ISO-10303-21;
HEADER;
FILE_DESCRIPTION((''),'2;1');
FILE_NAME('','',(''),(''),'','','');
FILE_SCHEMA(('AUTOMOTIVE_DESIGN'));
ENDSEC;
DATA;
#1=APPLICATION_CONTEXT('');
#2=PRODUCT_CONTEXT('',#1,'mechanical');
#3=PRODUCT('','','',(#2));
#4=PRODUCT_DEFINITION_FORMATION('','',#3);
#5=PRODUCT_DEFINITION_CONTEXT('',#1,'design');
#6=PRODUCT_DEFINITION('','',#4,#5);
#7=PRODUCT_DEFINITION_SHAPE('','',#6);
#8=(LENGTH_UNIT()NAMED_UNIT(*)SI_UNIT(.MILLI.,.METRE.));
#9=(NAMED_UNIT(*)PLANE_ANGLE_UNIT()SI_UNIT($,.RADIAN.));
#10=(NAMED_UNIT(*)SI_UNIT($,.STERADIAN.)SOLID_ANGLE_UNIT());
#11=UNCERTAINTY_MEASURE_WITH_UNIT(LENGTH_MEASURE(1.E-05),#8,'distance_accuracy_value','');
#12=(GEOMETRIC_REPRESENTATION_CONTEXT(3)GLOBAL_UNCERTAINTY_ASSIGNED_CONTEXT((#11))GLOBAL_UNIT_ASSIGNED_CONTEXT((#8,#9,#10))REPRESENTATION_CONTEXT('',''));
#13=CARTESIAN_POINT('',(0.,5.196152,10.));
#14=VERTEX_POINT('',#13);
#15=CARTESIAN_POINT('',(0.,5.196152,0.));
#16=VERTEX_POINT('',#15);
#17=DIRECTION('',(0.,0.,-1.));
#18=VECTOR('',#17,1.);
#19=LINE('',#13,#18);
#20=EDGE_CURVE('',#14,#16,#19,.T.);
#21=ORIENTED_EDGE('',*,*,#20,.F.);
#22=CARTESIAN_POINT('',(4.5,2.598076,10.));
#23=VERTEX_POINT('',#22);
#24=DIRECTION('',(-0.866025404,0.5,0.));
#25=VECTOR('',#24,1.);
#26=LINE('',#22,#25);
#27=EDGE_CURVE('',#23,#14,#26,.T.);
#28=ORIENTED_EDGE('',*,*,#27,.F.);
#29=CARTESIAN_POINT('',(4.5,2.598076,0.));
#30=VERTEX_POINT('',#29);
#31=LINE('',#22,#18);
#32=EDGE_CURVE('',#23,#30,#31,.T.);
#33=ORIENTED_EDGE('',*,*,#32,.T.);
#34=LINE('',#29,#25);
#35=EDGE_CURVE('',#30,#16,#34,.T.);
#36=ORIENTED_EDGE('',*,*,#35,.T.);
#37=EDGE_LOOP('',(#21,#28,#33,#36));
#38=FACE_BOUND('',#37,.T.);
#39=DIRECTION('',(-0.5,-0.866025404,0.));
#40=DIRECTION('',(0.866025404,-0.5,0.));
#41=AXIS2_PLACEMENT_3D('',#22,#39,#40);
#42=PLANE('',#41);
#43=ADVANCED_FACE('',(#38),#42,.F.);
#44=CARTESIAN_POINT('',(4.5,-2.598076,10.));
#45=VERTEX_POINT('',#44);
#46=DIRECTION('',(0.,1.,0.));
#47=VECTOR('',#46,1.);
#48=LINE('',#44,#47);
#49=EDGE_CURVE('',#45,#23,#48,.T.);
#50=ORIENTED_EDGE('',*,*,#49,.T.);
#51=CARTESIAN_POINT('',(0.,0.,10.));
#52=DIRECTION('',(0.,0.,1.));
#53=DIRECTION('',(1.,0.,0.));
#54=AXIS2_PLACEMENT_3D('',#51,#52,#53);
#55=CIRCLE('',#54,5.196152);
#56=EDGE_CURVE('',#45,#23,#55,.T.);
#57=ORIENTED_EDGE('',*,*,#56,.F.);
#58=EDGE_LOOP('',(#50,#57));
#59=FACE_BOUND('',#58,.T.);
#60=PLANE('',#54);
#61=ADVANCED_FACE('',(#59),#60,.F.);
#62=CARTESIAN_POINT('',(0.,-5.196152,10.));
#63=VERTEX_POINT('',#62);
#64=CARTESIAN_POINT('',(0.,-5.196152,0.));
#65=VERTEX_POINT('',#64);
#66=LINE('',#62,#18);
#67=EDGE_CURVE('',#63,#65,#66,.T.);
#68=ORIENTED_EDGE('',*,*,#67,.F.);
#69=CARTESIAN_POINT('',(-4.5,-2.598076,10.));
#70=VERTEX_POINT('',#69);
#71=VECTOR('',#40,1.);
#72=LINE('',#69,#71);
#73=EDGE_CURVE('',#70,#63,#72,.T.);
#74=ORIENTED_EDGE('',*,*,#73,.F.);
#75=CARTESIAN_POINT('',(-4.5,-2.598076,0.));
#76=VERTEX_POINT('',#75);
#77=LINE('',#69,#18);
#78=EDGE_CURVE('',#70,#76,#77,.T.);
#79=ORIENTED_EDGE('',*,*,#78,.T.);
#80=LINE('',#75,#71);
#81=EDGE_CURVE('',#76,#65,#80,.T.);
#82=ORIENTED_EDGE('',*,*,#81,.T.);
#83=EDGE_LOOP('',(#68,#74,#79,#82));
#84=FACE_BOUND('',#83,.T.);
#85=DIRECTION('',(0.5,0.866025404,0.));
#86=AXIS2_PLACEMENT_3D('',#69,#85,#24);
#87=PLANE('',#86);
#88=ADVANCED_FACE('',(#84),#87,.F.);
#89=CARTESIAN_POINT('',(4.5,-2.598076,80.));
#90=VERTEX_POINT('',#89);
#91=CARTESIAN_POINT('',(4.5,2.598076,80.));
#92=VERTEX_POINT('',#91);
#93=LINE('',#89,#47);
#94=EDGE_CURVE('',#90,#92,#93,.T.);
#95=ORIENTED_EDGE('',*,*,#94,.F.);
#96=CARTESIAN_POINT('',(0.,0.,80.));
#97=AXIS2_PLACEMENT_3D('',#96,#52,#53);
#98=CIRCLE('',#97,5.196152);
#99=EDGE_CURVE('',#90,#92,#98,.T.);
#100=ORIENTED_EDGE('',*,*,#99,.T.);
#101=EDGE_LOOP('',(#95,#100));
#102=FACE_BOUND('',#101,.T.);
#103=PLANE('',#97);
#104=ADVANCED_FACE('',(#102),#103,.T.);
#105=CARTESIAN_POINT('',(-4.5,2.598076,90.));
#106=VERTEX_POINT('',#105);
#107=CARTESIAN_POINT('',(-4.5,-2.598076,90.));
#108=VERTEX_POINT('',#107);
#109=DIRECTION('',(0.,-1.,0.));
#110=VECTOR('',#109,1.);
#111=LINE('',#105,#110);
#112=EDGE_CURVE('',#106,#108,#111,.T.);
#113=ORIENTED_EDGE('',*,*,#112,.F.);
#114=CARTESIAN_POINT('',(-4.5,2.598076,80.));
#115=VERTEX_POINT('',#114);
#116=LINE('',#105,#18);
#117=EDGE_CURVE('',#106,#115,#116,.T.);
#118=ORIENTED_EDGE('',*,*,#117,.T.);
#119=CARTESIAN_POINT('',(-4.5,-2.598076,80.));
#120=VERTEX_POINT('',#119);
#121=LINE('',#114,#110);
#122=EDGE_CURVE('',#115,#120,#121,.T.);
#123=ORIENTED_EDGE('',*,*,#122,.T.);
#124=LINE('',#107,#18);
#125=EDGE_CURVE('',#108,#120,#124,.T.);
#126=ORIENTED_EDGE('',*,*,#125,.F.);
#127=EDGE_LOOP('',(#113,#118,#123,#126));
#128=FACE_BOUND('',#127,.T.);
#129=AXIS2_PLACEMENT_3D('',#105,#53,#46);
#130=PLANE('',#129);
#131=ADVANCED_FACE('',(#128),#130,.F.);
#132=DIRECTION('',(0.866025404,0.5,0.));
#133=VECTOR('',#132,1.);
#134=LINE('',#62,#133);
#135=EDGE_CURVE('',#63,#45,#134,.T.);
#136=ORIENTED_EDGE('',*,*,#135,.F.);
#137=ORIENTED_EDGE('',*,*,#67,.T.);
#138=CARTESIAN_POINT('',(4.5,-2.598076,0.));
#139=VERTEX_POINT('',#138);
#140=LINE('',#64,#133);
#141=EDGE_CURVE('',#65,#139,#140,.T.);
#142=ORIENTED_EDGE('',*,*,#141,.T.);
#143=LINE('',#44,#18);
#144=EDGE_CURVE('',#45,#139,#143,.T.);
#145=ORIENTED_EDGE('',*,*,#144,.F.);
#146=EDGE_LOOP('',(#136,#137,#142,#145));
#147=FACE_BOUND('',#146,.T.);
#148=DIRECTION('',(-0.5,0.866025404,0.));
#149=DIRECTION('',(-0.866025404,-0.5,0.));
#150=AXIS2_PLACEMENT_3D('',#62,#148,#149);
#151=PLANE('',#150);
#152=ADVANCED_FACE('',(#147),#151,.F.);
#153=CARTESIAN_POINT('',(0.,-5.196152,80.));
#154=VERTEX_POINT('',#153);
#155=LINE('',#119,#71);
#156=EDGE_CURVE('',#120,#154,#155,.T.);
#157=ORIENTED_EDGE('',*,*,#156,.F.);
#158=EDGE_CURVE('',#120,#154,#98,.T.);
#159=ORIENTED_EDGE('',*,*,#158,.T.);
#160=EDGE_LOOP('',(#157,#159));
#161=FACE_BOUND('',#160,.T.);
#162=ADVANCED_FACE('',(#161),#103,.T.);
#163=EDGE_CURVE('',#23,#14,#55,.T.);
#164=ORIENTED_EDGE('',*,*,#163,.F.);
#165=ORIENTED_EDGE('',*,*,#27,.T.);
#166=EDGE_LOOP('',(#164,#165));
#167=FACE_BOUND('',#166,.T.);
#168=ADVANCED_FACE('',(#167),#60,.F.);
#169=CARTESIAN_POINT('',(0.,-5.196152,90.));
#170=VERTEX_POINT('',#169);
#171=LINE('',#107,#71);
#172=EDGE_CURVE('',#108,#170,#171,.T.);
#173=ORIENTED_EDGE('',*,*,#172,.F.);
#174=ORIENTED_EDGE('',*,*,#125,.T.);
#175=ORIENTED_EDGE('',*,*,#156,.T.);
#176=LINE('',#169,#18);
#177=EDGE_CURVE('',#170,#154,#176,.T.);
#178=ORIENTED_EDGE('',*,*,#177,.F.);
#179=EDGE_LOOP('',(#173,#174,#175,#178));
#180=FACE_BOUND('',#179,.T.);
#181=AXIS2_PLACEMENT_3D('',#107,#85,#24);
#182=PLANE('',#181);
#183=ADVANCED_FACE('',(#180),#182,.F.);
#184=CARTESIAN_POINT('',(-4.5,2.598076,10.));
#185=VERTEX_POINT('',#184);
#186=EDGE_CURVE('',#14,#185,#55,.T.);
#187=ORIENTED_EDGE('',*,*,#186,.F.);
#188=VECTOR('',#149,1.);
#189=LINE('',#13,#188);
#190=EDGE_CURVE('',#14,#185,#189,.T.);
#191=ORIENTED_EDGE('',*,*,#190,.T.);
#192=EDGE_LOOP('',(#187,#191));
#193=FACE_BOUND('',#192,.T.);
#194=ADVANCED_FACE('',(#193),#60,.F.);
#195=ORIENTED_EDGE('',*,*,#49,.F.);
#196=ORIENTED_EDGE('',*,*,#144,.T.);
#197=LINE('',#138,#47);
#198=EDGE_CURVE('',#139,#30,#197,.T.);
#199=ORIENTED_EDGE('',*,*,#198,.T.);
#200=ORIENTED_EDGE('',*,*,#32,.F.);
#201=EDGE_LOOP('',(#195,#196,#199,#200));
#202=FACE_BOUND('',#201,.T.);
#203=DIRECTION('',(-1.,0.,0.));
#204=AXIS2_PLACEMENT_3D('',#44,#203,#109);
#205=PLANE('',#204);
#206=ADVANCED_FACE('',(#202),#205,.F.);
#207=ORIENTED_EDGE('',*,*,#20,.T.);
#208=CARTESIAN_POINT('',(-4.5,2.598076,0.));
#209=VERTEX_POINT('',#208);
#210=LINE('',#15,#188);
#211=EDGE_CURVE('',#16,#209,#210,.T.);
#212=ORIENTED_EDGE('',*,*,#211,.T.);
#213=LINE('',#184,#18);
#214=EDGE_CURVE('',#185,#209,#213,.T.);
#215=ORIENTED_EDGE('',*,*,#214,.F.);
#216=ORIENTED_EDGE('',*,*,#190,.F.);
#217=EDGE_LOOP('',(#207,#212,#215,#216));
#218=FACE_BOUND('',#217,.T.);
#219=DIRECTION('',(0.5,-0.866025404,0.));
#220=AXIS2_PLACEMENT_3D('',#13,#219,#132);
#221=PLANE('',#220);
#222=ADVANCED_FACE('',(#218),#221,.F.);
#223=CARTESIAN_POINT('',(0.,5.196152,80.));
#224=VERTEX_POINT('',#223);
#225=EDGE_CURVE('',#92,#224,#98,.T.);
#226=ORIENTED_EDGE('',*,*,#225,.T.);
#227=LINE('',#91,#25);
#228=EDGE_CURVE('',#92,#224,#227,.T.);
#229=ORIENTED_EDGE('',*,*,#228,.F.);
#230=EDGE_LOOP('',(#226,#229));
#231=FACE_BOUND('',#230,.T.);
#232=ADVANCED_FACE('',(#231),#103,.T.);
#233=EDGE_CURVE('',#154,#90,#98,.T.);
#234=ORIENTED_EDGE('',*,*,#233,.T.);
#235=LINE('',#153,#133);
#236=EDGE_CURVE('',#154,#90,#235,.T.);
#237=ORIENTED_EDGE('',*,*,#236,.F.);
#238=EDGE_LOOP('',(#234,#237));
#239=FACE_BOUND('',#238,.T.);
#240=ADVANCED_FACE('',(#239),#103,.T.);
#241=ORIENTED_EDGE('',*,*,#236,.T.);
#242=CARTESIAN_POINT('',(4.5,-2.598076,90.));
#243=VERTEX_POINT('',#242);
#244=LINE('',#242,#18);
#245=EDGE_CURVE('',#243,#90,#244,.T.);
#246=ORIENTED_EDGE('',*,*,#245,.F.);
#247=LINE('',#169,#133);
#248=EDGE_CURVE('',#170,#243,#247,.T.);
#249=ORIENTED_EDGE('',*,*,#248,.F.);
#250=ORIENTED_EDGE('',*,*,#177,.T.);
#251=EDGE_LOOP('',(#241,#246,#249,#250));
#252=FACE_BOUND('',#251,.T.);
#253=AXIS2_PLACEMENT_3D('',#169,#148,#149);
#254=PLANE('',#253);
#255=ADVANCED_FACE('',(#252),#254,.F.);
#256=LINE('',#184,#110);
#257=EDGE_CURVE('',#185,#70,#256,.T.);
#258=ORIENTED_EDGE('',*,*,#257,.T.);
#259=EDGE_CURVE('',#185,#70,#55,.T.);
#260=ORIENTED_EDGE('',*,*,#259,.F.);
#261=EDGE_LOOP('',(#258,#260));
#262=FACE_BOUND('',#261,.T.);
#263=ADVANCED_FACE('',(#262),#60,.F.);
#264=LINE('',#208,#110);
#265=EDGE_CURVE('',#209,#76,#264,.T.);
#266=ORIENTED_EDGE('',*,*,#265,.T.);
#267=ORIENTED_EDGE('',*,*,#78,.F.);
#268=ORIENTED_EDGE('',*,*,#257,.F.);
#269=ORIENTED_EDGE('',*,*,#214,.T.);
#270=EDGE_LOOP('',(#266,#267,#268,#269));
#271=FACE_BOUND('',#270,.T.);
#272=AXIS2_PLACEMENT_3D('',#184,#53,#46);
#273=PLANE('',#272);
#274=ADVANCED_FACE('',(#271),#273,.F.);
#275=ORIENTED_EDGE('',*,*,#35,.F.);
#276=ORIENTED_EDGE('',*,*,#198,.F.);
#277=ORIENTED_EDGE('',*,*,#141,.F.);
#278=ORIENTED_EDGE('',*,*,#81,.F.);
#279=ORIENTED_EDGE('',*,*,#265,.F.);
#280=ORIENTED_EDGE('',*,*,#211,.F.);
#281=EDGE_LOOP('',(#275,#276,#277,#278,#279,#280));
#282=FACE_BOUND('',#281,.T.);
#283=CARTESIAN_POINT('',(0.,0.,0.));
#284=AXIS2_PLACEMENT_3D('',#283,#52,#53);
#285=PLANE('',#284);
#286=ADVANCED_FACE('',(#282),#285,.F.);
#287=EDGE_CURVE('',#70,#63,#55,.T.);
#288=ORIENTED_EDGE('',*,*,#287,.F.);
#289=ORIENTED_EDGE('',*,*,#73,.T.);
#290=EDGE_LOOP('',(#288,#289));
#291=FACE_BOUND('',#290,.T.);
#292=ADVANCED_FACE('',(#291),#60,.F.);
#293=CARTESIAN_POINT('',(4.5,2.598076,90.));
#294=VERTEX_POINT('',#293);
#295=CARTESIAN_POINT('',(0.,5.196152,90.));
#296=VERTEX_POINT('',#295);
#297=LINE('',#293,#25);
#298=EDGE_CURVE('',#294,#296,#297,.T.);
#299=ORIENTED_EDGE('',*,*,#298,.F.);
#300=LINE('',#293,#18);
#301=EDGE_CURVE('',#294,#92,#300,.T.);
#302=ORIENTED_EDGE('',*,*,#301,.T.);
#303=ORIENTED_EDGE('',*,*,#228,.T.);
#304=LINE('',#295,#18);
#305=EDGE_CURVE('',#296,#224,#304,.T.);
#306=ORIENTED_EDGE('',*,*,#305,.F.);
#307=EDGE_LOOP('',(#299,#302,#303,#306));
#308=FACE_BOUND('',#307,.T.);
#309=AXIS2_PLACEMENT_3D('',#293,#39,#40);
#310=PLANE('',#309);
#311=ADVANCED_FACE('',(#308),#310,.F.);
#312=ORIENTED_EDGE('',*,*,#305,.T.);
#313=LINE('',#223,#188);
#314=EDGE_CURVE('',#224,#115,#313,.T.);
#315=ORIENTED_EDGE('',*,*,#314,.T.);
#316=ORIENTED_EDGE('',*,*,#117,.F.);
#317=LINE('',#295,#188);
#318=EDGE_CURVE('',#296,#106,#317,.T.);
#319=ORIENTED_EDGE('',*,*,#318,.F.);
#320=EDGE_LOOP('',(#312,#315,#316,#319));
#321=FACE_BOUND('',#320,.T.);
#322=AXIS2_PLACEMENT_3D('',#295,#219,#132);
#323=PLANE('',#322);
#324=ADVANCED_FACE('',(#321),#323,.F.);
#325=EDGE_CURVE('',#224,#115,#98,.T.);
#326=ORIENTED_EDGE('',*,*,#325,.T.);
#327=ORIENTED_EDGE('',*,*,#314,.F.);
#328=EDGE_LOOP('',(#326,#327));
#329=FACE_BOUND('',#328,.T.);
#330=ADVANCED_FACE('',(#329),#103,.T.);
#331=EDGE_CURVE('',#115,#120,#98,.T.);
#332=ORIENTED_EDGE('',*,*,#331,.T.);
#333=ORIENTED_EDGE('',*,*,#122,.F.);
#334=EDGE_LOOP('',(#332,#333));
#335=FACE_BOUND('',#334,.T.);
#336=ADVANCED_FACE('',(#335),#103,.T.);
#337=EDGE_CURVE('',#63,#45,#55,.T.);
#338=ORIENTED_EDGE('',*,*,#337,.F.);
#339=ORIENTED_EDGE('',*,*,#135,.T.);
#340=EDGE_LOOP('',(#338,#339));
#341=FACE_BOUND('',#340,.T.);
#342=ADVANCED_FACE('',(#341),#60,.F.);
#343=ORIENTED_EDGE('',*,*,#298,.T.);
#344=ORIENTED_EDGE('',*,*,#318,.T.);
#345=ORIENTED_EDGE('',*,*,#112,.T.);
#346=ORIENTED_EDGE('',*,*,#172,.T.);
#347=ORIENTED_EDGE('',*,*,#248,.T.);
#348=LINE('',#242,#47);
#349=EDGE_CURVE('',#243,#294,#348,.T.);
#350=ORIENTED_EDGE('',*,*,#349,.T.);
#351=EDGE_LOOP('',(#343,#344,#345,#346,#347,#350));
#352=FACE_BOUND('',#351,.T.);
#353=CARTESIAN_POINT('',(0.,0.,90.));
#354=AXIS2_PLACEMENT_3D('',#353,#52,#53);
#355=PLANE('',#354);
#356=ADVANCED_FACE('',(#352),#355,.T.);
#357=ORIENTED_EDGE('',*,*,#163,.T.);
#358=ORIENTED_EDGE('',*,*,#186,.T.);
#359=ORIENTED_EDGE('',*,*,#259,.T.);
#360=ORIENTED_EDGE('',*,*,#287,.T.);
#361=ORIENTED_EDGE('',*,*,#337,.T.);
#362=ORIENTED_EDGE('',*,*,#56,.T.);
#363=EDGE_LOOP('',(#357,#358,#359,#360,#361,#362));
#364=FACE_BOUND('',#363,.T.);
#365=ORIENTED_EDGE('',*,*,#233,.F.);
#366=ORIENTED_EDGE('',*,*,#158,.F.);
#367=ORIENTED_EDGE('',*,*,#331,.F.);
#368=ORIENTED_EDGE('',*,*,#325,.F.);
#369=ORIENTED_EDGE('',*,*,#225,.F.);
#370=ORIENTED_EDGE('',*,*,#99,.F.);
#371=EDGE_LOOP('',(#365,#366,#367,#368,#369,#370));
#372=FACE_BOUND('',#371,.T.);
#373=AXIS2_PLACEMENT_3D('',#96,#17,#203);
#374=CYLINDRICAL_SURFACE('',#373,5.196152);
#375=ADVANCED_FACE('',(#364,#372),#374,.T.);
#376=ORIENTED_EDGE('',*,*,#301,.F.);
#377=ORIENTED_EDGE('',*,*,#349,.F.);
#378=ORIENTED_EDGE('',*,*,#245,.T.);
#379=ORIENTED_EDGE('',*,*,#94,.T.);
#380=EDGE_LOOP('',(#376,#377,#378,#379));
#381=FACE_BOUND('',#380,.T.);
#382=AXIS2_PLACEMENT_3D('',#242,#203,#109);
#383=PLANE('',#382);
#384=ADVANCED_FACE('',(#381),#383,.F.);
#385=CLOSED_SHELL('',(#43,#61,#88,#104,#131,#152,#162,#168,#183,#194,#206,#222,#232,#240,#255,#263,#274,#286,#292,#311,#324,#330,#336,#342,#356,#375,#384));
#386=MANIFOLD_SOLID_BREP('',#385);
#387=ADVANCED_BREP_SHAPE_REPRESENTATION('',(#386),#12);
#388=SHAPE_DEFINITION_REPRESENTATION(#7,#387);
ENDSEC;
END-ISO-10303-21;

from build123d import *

# Parameters (mm, degrees)
SALIENTE_EXTRUIR1_DEPTH = 10
CROQUIS2_R              = 5.196152423
SALIENTE_EXTRUIR3_DEPTH = 70
SALIENTE_EXTRUIR4_DEPTH = 10


with BuildPart() as part:
    # Croquis1 → Saliente-Extruir1 (new body)
    with BuildSketch(Plane.XY):
        Polygon((0, 5.196152423), (-4.5, 2.598076211), (-4.5, -2.598076211), (0, -5.196152423), (4.5, -2.598076211), (4.5, 2.598076211), align=None)
    extrude(amount=SALIENTE_EXTRUIR1_DEPTH)

    # Croquis2 → Saliente-Extruir3 (add)
    with BuildSketch(Plane.XY.offset(10)):
        Circle(CROQUIS2_R)
    extrude(amount=SALIENTE_EXTRUIR3_DEPTH)

    # Croquis3 → Saliente-Extruir4 (add)
    with BuildSketch(Plane.XY.offset(80)):
        Polygon((0, 5.196152423), (-4.5, 2.598076211), (-4.5, -2.598076211), (0, -5.196152423), (4.5, -2.598076211), (4.5, 2.598076211), align=None)
    extrude(amount=SALIENTE_EXTRUIR4_DEPTH)


solid = part.part
